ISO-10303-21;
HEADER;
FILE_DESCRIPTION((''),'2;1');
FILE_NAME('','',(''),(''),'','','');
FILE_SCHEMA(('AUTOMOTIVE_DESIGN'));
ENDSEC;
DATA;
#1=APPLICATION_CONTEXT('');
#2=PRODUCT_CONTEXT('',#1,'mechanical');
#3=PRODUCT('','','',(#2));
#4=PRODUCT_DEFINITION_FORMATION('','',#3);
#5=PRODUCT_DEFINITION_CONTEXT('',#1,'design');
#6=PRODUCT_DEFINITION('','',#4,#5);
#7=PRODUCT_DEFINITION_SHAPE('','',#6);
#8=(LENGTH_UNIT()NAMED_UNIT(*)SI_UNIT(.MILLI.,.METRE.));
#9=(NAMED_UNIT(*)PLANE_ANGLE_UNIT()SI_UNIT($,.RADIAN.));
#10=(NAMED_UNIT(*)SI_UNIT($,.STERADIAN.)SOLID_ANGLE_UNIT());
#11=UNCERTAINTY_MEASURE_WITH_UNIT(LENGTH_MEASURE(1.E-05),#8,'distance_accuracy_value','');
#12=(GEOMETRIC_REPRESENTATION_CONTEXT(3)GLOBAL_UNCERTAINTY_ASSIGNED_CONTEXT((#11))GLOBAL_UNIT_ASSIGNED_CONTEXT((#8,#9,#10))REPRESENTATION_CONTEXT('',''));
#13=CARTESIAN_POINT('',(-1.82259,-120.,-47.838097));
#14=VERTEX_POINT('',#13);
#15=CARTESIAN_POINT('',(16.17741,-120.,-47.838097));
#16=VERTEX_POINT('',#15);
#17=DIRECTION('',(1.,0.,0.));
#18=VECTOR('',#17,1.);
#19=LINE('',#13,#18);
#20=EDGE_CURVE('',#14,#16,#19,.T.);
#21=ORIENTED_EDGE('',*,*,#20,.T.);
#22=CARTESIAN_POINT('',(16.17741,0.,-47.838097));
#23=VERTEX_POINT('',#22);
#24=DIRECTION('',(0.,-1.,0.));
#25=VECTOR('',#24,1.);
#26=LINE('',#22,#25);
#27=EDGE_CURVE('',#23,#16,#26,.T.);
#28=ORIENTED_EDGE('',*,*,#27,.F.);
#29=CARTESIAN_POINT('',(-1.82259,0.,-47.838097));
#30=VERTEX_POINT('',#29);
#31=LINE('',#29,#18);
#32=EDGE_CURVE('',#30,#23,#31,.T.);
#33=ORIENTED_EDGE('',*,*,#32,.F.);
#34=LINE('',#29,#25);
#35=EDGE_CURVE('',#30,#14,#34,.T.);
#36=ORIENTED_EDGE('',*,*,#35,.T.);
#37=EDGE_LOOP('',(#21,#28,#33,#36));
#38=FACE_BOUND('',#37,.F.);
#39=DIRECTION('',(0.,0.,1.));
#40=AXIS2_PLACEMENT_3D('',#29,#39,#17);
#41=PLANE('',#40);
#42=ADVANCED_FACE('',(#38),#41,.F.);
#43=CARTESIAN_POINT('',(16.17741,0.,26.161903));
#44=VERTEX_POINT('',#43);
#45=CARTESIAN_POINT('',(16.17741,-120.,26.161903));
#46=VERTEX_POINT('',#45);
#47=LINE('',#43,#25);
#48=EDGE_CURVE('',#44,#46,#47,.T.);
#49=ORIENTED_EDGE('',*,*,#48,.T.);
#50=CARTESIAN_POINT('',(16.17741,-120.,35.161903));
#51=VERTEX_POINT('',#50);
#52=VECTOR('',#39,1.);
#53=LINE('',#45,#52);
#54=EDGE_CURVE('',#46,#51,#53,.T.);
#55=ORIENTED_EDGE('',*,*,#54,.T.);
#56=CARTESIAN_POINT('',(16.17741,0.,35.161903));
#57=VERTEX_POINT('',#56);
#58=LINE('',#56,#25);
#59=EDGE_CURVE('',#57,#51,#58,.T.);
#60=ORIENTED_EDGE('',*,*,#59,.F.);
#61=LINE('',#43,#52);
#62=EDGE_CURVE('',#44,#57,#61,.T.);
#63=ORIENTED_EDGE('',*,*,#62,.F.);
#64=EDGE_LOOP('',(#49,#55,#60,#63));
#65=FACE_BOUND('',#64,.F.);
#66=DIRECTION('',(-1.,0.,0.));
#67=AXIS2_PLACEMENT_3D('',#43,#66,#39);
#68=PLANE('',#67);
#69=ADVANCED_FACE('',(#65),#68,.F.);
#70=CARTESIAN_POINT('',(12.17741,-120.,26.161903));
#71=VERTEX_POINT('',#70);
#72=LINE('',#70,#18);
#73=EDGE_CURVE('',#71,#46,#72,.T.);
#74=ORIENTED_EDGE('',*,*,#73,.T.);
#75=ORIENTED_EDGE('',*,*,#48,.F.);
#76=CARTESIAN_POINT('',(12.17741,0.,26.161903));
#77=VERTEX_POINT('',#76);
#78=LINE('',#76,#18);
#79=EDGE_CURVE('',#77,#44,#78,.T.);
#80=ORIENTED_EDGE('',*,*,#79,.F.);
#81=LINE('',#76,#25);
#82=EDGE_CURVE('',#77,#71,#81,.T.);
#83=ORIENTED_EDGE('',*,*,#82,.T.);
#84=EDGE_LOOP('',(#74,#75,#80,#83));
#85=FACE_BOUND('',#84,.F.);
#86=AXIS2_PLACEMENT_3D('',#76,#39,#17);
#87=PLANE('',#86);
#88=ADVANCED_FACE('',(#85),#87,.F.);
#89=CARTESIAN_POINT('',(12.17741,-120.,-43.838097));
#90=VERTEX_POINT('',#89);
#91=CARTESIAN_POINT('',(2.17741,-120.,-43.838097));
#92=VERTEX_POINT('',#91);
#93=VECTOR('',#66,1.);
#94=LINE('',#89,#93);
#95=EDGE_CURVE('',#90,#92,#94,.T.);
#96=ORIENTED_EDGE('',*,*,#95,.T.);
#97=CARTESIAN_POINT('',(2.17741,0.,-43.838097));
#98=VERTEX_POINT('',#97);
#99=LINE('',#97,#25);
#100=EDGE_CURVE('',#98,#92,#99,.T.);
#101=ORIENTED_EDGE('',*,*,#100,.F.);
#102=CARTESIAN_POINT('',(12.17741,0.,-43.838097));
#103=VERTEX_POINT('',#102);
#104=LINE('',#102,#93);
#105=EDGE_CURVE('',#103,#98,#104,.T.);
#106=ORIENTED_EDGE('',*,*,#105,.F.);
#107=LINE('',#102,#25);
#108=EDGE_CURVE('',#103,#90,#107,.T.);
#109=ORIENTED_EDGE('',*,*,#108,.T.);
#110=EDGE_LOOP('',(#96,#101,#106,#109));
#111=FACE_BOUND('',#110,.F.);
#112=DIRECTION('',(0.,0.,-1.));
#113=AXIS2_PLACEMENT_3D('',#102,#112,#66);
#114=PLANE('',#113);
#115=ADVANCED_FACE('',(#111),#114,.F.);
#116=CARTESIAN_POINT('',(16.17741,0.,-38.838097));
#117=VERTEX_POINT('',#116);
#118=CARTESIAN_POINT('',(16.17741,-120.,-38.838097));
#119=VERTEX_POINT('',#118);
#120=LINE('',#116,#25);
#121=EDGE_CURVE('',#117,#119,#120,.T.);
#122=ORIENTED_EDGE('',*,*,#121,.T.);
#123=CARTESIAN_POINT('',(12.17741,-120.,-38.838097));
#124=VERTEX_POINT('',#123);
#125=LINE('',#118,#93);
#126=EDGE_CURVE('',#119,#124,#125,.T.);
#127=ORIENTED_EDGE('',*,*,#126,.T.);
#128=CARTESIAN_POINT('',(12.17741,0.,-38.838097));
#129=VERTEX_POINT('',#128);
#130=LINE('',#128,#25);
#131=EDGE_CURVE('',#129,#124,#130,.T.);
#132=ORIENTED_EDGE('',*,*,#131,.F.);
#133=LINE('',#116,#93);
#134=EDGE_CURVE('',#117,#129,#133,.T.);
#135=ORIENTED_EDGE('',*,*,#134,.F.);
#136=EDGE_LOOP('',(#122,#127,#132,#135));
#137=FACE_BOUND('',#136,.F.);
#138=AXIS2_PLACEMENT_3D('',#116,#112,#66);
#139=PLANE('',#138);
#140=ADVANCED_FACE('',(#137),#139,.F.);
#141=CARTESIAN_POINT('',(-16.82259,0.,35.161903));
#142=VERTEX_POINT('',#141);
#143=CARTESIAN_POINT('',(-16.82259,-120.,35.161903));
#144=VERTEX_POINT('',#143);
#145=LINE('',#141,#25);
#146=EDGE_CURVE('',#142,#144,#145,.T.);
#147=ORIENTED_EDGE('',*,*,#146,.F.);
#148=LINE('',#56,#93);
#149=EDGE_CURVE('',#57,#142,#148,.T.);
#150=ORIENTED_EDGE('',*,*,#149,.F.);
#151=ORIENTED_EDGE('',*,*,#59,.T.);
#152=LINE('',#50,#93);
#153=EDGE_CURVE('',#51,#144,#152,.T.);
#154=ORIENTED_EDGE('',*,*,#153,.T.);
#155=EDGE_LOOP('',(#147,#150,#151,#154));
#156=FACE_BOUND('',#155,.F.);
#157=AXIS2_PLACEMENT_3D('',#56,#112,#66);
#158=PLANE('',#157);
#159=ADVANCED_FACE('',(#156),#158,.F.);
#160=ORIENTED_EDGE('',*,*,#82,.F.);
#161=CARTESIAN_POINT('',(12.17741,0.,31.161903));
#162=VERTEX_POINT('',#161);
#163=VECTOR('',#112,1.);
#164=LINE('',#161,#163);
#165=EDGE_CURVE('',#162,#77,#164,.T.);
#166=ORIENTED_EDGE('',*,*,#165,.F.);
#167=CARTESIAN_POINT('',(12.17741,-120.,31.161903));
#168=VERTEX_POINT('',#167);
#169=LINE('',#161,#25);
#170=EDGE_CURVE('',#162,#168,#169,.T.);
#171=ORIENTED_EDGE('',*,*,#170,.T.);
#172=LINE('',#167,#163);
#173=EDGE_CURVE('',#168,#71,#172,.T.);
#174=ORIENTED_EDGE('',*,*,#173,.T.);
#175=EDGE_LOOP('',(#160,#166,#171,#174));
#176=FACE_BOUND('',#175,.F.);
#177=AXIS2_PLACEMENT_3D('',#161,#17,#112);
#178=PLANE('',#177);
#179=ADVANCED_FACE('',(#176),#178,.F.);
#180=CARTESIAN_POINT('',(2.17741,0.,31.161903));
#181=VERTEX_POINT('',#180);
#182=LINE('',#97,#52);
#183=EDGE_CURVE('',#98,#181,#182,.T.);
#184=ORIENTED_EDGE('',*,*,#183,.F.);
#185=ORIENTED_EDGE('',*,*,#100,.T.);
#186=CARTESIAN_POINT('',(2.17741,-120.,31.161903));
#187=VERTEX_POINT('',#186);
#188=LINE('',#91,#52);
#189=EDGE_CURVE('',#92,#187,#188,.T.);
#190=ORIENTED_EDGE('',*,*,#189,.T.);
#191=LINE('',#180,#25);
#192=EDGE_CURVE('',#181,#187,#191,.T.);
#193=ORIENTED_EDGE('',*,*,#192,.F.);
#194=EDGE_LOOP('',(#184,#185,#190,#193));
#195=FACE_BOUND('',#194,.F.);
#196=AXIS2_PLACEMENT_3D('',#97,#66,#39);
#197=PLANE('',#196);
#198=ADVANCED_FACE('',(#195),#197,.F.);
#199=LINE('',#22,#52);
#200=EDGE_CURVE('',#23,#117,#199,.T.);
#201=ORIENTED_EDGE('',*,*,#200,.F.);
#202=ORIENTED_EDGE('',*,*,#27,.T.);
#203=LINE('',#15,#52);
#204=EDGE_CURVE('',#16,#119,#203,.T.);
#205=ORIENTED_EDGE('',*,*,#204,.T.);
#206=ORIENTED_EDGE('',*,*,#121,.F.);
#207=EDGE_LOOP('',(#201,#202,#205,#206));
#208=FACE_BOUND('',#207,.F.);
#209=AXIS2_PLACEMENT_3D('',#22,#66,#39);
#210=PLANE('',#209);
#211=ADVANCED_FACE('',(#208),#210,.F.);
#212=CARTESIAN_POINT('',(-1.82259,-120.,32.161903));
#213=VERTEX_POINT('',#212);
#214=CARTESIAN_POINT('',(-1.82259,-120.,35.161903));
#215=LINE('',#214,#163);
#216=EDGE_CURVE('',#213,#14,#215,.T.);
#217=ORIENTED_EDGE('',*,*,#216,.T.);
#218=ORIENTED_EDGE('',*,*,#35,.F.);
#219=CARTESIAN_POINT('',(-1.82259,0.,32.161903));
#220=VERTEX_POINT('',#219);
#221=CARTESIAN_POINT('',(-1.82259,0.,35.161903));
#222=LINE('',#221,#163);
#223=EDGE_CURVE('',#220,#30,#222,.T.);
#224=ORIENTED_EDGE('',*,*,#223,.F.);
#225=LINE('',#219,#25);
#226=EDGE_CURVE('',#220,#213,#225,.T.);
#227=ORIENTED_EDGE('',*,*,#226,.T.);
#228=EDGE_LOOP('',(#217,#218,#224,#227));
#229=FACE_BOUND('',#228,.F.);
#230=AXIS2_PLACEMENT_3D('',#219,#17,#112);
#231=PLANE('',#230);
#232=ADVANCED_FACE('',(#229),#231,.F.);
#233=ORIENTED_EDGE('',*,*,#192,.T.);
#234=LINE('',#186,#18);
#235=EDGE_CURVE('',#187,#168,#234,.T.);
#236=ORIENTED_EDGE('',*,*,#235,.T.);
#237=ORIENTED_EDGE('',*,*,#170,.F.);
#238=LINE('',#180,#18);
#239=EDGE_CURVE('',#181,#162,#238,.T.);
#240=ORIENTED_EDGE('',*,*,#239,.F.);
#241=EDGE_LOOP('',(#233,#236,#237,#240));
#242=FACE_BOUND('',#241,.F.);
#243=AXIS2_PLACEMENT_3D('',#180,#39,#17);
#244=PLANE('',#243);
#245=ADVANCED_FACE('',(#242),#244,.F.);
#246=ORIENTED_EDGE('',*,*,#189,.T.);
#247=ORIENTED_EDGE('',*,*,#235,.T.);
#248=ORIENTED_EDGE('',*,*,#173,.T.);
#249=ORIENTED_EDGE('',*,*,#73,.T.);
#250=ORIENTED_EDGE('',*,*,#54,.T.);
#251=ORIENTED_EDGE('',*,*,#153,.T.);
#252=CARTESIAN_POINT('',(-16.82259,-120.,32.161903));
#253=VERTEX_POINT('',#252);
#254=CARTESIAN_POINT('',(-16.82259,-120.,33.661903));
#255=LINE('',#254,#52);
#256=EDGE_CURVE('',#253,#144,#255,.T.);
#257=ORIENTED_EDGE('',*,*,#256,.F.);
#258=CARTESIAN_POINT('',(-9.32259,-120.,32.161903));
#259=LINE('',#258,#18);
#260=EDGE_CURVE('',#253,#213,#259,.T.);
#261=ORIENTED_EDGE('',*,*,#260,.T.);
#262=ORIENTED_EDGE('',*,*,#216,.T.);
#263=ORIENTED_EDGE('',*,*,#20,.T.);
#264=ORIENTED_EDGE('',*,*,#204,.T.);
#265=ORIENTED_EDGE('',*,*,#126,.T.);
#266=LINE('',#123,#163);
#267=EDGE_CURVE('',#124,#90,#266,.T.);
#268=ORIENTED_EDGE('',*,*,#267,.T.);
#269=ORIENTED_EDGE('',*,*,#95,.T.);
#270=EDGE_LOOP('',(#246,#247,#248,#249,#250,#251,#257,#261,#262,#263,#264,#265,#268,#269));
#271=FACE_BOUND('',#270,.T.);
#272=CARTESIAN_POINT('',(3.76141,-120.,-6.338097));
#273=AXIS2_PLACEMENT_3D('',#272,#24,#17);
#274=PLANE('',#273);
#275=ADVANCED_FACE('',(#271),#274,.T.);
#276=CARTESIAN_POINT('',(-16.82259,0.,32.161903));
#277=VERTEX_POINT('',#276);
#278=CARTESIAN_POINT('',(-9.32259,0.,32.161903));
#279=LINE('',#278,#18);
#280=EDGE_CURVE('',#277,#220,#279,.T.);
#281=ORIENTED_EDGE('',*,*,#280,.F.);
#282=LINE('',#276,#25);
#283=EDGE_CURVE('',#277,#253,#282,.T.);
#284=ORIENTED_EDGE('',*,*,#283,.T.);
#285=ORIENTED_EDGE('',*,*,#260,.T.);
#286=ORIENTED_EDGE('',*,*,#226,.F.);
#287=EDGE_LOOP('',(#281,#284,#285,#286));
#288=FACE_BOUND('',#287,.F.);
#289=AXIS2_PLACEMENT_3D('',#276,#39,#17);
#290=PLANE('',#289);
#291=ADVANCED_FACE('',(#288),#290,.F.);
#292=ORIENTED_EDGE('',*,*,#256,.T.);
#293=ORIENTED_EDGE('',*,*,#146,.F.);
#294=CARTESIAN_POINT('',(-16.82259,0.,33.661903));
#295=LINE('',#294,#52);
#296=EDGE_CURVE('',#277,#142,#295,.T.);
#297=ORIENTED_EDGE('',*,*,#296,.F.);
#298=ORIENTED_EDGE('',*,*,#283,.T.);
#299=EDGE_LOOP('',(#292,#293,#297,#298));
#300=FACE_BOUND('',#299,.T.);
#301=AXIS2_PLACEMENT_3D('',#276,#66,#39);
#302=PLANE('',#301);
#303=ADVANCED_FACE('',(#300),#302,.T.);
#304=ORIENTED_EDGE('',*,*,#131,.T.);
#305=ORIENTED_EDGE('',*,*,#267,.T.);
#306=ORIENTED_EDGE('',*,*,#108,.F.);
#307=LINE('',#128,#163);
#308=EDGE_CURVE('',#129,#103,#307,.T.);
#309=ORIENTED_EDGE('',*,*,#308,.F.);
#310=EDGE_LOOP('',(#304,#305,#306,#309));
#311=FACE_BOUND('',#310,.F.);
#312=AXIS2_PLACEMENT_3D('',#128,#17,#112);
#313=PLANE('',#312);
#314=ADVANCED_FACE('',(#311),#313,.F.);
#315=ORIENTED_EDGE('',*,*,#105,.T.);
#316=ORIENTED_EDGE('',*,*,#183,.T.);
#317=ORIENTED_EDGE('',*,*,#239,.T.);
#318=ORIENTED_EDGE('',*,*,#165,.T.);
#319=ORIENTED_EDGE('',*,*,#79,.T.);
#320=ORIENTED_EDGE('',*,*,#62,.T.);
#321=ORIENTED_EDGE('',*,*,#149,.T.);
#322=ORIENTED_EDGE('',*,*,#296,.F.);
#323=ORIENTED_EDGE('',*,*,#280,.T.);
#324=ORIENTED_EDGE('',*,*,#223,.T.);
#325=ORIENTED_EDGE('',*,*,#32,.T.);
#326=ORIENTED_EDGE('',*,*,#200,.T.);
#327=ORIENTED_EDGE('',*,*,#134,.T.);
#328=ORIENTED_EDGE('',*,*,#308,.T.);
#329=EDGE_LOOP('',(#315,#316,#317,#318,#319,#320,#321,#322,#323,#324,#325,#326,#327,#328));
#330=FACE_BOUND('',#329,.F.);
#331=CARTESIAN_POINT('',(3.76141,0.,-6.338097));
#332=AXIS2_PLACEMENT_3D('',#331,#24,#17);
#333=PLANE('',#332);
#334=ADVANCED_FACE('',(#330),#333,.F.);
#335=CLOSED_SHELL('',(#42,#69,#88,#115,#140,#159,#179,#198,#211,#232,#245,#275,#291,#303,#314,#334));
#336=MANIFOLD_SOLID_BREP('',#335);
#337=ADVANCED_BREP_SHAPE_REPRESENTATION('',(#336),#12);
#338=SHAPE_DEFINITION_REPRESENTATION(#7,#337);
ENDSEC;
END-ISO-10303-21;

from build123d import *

# Parameters (mm, degrees)
F0_W     = 15
F0_H     = 3
F1_DEPTH = 120


with BuildPart() as f1:
    # F0 (on Front) → F1 (new body)
    with BuildSketch(Plane.XZ):
        Polygon((16.17741, -38.838097), (12.17741, -38.838097), (12.17741, -43.838097), (2.17741, -43.838097), (2.17741, 31.161903), (12.17741, 31.161903), (12.17741, 26.161903), (16.17741, 26.161903), (16.17741, 35.161903), (-1.82259, 35.161903), (-1.82259, 32.161903), (-1.82259, -47.838097), (16.17741, -47.838097), align=None)
        with Locations((-9.32259, 33.661903)):
            Rectangle(F0_W, F0_H)
    extrude(amount=F1_DEPTH)


solid = f1.part
